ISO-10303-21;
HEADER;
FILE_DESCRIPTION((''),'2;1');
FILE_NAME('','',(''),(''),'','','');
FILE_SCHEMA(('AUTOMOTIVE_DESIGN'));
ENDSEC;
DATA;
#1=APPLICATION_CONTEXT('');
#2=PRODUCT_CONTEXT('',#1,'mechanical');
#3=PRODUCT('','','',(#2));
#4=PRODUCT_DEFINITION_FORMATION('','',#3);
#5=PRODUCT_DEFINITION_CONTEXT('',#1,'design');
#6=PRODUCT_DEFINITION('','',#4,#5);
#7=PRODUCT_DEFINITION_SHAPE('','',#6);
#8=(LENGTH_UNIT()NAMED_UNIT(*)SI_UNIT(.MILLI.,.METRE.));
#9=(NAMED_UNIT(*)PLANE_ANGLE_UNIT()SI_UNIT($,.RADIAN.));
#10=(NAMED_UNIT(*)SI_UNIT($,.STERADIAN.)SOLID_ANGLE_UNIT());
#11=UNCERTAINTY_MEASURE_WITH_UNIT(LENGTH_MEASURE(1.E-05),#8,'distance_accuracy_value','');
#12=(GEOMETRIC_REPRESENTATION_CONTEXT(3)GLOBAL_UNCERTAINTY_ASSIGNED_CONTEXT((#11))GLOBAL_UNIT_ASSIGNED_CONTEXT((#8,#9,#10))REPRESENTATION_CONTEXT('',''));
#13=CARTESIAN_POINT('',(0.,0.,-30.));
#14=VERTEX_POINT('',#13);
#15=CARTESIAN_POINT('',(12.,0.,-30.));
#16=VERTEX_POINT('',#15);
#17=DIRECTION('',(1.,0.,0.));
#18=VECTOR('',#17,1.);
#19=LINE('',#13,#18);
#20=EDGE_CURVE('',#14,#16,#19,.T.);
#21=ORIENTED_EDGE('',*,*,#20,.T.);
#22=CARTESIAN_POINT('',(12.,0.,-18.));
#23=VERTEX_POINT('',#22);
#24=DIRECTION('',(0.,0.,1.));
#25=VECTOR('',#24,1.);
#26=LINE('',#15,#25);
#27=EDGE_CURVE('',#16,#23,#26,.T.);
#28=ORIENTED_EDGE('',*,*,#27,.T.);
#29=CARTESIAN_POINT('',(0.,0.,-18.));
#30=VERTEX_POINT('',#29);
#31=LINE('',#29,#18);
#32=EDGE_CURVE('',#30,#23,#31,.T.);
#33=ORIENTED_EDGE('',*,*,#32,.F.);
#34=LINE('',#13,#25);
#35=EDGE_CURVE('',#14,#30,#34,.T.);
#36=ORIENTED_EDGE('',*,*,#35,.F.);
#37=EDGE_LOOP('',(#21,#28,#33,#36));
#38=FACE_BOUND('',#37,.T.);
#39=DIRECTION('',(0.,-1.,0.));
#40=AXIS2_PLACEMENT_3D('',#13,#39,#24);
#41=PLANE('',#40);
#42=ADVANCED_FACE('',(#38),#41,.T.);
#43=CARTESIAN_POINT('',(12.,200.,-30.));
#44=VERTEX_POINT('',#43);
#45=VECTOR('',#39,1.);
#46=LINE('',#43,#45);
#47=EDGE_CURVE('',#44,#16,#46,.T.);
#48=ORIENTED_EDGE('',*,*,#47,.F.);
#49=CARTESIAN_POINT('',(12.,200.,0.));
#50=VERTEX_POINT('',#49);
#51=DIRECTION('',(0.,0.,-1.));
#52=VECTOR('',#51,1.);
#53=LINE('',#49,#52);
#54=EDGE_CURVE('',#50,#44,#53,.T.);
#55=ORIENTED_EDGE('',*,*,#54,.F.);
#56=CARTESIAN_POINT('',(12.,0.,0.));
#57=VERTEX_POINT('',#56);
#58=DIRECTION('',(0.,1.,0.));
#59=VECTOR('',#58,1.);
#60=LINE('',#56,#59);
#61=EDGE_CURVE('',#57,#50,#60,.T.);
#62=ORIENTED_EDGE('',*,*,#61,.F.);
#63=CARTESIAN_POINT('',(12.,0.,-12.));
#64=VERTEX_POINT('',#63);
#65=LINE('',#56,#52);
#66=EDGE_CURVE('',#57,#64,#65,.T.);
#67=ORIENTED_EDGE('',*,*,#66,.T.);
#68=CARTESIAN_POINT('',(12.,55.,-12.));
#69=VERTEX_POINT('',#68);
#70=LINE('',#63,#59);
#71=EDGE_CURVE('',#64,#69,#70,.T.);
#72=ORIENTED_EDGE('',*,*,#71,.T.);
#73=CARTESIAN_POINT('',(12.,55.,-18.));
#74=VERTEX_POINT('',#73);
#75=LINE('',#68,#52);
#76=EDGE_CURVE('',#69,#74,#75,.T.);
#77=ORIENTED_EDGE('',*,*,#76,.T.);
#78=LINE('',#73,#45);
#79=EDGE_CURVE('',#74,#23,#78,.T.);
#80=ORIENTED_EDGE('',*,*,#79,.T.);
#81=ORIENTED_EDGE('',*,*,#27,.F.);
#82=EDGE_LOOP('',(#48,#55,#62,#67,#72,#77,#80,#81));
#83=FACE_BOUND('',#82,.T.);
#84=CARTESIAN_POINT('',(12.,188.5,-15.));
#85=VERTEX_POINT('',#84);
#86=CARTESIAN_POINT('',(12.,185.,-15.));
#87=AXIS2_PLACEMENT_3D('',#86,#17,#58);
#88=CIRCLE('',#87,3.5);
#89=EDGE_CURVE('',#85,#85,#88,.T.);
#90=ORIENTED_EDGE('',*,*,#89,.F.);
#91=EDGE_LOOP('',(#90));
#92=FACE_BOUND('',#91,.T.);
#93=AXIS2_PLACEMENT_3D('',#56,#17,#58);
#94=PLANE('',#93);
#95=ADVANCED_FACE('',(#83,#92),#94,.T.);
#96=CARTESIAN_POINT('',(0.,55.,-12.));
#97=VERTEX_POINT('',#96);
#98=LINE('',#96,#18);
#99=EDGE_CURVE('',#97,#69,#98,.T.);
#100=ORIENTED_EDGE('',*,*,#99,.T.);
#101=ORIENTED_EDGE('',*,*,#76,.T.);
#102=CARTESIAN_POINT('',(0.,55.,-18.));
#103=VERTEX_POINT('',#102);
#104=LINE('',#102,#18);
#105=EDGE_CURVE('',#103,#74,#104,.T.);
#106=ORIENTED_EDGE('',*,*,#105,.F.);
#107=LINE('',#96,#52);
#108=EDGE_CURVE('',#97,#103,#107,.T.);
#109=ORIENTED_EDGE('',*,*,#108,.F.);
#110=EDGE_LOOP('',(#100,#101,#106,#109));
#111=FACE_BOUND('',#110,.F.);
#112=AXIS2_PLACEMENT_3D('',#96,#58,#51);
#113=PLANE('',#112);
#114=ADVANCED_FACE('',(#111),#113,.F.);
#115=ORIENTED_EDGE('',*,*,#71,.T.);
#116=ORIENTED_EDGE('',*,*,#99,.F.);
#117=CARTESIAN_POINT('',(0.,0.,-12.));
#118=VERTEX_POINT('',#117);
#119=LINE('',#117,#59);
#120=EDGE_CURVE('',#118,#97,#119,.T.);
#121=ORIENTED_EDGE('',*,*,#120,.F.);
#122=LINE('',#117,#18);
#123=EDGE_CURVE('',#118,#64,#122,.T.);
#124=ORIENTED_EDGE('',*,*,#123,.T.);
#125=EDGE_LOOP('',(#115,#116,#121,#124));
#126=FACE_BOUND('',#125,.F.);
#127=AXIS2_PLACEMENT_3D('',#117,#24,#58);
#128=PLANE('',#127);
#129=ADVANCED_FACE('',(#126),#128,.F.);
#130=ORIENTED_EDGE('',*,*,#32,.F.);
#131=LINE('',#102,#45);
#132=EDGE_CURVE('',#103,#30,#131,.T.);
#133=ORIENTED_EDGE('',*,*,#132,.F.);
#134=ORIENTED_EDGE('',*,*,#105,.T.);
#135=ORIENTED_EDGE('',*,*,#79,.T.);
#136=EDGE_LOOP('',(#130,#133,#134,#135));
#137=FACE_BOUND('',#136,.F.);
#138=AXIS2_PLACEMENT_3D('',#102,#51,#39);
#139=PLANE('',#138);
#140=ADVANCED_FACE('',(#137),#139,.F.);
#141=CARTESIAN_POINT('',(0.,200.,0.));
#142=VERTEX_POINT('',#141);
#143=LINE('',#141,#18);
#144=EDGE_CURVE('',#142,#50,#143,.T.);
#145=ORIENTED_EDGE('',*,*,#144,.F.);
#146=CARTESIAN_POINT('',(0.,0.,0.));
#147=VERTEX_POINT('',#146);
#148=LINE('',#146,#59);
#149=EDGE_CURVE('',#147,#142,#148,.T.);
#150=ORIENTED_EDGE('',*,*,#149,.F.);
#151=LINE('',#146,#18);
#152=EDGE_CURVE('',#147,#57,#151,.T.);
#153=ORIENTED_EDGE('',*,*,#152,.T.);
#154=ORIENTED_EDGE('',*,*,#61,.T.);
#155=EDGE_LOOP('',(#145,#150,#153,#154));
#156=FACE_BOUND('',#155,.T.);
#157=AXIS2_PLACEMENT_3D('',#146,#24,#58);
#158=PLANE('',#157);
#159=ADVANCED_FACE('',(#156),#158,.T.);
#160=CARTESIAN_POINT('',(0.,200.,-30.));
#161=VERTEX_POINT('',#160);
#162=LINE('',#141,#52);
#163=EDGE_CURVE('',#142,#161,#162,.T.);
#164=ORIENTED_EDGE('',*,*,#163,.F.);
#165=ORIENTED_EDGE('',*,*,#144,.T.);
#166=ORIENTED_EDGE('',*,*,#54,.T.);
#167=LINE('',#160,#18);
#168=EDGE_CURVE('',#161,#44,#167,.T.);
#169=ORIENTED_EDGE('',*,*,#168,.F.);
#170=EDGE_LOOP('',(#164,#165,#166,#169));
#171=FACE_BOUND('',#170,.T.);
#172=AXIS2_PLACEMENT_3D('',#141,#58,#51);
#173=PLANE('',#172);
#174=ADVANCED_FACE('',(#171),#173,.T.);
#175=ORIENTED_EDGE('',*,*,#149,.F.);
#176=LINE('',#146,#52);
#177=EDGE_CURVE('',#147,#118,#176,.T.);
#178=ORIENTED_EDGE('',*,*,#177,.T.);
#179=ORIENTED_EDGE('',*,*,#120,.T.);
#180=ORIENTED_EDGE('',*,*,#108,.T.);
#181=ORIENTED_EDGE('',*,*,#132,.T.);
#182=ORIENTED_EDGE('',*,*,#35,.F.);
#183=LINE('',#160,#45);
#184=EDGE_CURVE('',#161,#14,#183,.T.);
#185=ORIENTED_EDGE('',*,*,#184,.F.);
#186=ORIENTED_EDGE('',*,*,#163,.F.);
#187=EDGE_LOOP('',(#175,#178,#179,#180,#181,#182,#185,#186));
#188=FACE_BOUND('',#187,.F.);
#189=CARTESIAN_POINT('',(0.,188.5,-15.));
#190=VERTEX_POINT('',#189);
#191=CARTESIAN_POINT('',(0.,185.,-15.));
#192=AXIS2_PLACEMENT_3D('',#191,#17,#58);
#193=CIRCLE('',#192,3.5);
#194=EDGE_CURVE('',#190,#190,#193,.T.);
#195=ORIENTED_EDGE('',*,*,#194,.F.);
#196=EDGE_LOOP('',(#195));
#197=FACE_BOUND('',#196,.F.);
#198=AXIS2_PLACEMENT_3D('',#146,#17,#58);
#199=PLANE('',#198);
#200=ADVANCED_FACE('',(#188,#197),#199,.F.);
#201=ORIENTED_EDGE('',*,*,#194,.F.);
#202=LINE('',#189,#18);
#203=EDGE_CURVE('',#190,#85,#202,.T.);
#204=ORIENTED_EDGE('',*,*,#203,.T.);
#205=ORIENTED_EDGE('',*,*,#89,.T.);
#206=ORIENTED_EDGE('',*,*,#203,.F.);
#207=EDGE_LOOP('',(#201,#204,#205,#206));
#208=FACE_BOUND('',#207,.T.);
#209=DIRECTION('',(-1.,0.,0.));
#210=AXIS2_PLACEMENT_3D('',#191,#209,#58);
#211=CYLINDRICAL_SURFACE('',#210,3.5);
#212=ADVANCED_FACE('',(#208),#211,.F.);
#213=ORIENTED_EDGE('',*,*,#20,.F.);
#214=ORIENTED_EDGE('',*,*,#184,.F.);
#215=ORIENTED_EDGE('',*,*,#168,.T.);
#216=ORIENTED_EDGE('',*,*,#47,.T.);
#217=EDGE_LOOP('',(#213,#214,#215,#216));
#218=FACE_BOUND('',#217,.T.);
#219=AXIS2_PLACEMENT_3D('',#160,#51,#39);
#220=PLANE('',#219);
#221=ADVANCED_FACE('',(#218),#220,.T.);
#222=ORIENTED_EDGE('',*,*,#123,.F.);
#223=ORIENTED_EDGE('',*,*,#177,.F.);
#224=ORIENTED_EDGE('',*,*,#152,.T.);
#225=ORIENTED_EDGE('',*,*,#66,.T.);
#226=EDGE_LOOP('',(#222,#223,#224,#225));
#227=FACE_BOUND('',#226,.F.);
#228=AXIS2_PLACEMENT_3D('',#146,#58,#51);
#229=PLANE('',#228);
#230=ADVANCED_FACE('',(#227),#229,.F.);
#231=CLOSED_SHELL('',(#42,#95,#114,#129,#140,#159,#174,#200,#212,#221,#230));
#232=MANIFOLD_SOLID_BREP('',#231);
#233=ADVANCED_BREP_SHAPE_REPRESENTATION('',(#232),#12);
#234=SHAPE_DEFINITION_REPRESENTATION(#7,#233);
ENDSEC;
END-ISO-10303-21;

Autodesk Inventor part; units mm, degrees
ref_plane "YZ Plane" through (0, 0, 0) normal (1, 0, 0) x (0, 1, 0)
ref_plane "XZ Plane" through (0, 0, 0) normal (0, 1, 0) x (-1, 0, 0)
ref_plane "XY Plane" through (0, 0, 0) normal (0, 0, 1) x (1, 0, 0)
sketch "Boceto2" plane through (0, 0, 0) normal (1, 0, 0) x (0, 1, 0)
  line L0 (0, 0) -> (200, 0)
  line L1 (200, 0) -> (200, -30)
  line L2 (200, -30) -> (0, -30)
  circle A0 centre (185, -15) radius 3.5
  line L3 (0, -12) -> (55, -12)
  line L4 (55, -12) -> (55, -18)
  line L5 (55, -18) -> (0, -18)
  line L6 (0, 0) -> (0, -12)
  line L7 (0, -30) -> (0, -18)
  point P0 (200, -15)
  dimension "d2" = 7
  dimension "d3" = 15
  dimension "d7" = 6
  dimension "d8" = 30
  dimension "d9" = 12
  dimension "d10" = 200
  dimension "d11" = 12
  dimension "d12" = 55
extrude "Extrusión1" add sketch "Boceto2" along normal blind 12
properties part number "ColumnaSoporte"
